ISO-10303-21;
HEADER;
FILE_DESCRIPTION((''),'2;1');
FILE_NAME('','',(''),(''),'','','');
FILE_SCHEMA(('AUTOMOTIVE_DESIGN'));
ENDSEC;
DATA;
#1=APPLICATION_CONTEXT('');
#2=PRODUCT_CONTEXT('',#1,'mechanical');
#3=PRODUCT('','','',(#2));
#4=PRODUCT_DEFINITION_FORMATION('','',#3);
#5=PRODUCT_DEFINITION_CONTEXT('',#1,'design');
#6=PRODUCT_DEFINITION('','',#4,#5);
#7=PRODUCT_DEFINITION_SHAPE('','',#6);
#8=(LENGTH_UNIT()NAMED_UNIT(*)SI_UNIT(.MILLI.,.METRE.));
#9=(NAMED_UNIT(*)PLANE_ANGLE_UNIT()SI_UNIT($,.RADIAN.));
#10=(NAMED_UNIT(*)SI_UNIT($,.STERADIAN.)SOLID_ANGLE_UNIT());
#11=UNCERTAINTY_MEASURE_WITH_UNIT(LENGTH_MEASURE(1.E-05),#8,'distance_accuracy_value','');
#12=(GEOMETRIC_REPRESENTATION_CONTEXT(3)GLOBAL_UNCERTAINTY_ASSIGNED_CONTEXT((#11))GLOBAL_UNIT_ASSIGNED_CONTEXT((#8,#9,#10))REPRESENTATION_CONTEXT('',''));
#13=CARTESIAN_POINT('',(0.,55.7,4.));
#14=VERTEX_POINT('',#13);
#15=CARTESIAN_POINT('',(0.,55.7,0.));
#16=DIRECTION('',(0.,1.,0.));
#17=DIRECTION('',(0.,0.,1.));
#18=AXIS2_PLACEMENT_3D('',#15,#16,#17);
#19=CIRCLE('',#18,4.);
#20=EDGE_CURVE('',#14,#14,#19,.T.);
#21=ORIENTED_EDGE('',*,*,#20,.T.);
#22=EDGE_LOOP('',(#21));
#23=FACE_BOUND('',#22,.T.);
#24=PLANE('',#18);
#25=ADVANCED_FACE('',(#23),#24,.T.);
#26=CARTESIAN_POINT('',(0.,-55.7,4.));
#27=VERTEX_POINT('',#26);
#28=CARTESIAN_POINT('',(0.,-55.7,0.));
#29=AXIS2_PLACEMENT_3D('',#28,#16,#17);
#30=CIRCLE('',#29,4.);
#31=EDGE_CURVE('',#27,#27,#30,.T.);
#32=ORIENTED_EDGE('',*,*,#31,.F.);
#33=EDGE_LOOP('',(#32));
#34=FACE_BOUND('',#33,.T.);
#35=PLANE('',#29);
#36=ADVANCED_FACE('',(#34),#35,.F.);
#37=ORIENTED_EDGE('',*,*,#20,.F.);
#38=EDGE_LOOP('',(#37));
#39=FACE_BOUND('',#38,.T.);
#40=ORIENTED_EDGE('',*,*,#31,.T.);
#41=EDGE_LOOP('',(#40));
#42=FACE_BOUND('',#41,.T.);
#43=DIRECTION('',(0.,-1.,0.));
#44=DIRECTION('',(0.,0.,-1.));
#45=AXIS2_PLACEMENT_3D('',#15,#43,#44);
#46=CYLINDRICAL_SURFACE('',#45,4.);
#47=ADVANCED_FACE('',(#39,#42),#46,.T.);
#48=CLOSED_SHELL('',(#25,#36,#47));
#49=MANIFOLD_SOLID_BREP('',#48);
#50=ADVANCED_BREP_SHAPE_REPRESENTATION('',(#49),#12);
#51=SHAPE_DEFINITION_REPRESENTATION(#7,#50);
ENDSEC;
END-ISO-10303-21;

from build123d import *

# Parameters (mm, degrees)
SKETCH1_R           = 4
BOSS_EXTRUDE1_DEPTH = 55.7


with BuildPart() as part:
    # Sketch1 → Boss-Extrude1 (new body, symmetric)
    with BuildSketch(Plane(origin=(0, 0, 0), x_dir=(1, 0, 0), z_dir=(0, 1, 0))):
        Circle(SKETCH1_R)
    extrude(amount=BOSS_EXTRUDE1_DEPTH, both=True)


solid = part.part
